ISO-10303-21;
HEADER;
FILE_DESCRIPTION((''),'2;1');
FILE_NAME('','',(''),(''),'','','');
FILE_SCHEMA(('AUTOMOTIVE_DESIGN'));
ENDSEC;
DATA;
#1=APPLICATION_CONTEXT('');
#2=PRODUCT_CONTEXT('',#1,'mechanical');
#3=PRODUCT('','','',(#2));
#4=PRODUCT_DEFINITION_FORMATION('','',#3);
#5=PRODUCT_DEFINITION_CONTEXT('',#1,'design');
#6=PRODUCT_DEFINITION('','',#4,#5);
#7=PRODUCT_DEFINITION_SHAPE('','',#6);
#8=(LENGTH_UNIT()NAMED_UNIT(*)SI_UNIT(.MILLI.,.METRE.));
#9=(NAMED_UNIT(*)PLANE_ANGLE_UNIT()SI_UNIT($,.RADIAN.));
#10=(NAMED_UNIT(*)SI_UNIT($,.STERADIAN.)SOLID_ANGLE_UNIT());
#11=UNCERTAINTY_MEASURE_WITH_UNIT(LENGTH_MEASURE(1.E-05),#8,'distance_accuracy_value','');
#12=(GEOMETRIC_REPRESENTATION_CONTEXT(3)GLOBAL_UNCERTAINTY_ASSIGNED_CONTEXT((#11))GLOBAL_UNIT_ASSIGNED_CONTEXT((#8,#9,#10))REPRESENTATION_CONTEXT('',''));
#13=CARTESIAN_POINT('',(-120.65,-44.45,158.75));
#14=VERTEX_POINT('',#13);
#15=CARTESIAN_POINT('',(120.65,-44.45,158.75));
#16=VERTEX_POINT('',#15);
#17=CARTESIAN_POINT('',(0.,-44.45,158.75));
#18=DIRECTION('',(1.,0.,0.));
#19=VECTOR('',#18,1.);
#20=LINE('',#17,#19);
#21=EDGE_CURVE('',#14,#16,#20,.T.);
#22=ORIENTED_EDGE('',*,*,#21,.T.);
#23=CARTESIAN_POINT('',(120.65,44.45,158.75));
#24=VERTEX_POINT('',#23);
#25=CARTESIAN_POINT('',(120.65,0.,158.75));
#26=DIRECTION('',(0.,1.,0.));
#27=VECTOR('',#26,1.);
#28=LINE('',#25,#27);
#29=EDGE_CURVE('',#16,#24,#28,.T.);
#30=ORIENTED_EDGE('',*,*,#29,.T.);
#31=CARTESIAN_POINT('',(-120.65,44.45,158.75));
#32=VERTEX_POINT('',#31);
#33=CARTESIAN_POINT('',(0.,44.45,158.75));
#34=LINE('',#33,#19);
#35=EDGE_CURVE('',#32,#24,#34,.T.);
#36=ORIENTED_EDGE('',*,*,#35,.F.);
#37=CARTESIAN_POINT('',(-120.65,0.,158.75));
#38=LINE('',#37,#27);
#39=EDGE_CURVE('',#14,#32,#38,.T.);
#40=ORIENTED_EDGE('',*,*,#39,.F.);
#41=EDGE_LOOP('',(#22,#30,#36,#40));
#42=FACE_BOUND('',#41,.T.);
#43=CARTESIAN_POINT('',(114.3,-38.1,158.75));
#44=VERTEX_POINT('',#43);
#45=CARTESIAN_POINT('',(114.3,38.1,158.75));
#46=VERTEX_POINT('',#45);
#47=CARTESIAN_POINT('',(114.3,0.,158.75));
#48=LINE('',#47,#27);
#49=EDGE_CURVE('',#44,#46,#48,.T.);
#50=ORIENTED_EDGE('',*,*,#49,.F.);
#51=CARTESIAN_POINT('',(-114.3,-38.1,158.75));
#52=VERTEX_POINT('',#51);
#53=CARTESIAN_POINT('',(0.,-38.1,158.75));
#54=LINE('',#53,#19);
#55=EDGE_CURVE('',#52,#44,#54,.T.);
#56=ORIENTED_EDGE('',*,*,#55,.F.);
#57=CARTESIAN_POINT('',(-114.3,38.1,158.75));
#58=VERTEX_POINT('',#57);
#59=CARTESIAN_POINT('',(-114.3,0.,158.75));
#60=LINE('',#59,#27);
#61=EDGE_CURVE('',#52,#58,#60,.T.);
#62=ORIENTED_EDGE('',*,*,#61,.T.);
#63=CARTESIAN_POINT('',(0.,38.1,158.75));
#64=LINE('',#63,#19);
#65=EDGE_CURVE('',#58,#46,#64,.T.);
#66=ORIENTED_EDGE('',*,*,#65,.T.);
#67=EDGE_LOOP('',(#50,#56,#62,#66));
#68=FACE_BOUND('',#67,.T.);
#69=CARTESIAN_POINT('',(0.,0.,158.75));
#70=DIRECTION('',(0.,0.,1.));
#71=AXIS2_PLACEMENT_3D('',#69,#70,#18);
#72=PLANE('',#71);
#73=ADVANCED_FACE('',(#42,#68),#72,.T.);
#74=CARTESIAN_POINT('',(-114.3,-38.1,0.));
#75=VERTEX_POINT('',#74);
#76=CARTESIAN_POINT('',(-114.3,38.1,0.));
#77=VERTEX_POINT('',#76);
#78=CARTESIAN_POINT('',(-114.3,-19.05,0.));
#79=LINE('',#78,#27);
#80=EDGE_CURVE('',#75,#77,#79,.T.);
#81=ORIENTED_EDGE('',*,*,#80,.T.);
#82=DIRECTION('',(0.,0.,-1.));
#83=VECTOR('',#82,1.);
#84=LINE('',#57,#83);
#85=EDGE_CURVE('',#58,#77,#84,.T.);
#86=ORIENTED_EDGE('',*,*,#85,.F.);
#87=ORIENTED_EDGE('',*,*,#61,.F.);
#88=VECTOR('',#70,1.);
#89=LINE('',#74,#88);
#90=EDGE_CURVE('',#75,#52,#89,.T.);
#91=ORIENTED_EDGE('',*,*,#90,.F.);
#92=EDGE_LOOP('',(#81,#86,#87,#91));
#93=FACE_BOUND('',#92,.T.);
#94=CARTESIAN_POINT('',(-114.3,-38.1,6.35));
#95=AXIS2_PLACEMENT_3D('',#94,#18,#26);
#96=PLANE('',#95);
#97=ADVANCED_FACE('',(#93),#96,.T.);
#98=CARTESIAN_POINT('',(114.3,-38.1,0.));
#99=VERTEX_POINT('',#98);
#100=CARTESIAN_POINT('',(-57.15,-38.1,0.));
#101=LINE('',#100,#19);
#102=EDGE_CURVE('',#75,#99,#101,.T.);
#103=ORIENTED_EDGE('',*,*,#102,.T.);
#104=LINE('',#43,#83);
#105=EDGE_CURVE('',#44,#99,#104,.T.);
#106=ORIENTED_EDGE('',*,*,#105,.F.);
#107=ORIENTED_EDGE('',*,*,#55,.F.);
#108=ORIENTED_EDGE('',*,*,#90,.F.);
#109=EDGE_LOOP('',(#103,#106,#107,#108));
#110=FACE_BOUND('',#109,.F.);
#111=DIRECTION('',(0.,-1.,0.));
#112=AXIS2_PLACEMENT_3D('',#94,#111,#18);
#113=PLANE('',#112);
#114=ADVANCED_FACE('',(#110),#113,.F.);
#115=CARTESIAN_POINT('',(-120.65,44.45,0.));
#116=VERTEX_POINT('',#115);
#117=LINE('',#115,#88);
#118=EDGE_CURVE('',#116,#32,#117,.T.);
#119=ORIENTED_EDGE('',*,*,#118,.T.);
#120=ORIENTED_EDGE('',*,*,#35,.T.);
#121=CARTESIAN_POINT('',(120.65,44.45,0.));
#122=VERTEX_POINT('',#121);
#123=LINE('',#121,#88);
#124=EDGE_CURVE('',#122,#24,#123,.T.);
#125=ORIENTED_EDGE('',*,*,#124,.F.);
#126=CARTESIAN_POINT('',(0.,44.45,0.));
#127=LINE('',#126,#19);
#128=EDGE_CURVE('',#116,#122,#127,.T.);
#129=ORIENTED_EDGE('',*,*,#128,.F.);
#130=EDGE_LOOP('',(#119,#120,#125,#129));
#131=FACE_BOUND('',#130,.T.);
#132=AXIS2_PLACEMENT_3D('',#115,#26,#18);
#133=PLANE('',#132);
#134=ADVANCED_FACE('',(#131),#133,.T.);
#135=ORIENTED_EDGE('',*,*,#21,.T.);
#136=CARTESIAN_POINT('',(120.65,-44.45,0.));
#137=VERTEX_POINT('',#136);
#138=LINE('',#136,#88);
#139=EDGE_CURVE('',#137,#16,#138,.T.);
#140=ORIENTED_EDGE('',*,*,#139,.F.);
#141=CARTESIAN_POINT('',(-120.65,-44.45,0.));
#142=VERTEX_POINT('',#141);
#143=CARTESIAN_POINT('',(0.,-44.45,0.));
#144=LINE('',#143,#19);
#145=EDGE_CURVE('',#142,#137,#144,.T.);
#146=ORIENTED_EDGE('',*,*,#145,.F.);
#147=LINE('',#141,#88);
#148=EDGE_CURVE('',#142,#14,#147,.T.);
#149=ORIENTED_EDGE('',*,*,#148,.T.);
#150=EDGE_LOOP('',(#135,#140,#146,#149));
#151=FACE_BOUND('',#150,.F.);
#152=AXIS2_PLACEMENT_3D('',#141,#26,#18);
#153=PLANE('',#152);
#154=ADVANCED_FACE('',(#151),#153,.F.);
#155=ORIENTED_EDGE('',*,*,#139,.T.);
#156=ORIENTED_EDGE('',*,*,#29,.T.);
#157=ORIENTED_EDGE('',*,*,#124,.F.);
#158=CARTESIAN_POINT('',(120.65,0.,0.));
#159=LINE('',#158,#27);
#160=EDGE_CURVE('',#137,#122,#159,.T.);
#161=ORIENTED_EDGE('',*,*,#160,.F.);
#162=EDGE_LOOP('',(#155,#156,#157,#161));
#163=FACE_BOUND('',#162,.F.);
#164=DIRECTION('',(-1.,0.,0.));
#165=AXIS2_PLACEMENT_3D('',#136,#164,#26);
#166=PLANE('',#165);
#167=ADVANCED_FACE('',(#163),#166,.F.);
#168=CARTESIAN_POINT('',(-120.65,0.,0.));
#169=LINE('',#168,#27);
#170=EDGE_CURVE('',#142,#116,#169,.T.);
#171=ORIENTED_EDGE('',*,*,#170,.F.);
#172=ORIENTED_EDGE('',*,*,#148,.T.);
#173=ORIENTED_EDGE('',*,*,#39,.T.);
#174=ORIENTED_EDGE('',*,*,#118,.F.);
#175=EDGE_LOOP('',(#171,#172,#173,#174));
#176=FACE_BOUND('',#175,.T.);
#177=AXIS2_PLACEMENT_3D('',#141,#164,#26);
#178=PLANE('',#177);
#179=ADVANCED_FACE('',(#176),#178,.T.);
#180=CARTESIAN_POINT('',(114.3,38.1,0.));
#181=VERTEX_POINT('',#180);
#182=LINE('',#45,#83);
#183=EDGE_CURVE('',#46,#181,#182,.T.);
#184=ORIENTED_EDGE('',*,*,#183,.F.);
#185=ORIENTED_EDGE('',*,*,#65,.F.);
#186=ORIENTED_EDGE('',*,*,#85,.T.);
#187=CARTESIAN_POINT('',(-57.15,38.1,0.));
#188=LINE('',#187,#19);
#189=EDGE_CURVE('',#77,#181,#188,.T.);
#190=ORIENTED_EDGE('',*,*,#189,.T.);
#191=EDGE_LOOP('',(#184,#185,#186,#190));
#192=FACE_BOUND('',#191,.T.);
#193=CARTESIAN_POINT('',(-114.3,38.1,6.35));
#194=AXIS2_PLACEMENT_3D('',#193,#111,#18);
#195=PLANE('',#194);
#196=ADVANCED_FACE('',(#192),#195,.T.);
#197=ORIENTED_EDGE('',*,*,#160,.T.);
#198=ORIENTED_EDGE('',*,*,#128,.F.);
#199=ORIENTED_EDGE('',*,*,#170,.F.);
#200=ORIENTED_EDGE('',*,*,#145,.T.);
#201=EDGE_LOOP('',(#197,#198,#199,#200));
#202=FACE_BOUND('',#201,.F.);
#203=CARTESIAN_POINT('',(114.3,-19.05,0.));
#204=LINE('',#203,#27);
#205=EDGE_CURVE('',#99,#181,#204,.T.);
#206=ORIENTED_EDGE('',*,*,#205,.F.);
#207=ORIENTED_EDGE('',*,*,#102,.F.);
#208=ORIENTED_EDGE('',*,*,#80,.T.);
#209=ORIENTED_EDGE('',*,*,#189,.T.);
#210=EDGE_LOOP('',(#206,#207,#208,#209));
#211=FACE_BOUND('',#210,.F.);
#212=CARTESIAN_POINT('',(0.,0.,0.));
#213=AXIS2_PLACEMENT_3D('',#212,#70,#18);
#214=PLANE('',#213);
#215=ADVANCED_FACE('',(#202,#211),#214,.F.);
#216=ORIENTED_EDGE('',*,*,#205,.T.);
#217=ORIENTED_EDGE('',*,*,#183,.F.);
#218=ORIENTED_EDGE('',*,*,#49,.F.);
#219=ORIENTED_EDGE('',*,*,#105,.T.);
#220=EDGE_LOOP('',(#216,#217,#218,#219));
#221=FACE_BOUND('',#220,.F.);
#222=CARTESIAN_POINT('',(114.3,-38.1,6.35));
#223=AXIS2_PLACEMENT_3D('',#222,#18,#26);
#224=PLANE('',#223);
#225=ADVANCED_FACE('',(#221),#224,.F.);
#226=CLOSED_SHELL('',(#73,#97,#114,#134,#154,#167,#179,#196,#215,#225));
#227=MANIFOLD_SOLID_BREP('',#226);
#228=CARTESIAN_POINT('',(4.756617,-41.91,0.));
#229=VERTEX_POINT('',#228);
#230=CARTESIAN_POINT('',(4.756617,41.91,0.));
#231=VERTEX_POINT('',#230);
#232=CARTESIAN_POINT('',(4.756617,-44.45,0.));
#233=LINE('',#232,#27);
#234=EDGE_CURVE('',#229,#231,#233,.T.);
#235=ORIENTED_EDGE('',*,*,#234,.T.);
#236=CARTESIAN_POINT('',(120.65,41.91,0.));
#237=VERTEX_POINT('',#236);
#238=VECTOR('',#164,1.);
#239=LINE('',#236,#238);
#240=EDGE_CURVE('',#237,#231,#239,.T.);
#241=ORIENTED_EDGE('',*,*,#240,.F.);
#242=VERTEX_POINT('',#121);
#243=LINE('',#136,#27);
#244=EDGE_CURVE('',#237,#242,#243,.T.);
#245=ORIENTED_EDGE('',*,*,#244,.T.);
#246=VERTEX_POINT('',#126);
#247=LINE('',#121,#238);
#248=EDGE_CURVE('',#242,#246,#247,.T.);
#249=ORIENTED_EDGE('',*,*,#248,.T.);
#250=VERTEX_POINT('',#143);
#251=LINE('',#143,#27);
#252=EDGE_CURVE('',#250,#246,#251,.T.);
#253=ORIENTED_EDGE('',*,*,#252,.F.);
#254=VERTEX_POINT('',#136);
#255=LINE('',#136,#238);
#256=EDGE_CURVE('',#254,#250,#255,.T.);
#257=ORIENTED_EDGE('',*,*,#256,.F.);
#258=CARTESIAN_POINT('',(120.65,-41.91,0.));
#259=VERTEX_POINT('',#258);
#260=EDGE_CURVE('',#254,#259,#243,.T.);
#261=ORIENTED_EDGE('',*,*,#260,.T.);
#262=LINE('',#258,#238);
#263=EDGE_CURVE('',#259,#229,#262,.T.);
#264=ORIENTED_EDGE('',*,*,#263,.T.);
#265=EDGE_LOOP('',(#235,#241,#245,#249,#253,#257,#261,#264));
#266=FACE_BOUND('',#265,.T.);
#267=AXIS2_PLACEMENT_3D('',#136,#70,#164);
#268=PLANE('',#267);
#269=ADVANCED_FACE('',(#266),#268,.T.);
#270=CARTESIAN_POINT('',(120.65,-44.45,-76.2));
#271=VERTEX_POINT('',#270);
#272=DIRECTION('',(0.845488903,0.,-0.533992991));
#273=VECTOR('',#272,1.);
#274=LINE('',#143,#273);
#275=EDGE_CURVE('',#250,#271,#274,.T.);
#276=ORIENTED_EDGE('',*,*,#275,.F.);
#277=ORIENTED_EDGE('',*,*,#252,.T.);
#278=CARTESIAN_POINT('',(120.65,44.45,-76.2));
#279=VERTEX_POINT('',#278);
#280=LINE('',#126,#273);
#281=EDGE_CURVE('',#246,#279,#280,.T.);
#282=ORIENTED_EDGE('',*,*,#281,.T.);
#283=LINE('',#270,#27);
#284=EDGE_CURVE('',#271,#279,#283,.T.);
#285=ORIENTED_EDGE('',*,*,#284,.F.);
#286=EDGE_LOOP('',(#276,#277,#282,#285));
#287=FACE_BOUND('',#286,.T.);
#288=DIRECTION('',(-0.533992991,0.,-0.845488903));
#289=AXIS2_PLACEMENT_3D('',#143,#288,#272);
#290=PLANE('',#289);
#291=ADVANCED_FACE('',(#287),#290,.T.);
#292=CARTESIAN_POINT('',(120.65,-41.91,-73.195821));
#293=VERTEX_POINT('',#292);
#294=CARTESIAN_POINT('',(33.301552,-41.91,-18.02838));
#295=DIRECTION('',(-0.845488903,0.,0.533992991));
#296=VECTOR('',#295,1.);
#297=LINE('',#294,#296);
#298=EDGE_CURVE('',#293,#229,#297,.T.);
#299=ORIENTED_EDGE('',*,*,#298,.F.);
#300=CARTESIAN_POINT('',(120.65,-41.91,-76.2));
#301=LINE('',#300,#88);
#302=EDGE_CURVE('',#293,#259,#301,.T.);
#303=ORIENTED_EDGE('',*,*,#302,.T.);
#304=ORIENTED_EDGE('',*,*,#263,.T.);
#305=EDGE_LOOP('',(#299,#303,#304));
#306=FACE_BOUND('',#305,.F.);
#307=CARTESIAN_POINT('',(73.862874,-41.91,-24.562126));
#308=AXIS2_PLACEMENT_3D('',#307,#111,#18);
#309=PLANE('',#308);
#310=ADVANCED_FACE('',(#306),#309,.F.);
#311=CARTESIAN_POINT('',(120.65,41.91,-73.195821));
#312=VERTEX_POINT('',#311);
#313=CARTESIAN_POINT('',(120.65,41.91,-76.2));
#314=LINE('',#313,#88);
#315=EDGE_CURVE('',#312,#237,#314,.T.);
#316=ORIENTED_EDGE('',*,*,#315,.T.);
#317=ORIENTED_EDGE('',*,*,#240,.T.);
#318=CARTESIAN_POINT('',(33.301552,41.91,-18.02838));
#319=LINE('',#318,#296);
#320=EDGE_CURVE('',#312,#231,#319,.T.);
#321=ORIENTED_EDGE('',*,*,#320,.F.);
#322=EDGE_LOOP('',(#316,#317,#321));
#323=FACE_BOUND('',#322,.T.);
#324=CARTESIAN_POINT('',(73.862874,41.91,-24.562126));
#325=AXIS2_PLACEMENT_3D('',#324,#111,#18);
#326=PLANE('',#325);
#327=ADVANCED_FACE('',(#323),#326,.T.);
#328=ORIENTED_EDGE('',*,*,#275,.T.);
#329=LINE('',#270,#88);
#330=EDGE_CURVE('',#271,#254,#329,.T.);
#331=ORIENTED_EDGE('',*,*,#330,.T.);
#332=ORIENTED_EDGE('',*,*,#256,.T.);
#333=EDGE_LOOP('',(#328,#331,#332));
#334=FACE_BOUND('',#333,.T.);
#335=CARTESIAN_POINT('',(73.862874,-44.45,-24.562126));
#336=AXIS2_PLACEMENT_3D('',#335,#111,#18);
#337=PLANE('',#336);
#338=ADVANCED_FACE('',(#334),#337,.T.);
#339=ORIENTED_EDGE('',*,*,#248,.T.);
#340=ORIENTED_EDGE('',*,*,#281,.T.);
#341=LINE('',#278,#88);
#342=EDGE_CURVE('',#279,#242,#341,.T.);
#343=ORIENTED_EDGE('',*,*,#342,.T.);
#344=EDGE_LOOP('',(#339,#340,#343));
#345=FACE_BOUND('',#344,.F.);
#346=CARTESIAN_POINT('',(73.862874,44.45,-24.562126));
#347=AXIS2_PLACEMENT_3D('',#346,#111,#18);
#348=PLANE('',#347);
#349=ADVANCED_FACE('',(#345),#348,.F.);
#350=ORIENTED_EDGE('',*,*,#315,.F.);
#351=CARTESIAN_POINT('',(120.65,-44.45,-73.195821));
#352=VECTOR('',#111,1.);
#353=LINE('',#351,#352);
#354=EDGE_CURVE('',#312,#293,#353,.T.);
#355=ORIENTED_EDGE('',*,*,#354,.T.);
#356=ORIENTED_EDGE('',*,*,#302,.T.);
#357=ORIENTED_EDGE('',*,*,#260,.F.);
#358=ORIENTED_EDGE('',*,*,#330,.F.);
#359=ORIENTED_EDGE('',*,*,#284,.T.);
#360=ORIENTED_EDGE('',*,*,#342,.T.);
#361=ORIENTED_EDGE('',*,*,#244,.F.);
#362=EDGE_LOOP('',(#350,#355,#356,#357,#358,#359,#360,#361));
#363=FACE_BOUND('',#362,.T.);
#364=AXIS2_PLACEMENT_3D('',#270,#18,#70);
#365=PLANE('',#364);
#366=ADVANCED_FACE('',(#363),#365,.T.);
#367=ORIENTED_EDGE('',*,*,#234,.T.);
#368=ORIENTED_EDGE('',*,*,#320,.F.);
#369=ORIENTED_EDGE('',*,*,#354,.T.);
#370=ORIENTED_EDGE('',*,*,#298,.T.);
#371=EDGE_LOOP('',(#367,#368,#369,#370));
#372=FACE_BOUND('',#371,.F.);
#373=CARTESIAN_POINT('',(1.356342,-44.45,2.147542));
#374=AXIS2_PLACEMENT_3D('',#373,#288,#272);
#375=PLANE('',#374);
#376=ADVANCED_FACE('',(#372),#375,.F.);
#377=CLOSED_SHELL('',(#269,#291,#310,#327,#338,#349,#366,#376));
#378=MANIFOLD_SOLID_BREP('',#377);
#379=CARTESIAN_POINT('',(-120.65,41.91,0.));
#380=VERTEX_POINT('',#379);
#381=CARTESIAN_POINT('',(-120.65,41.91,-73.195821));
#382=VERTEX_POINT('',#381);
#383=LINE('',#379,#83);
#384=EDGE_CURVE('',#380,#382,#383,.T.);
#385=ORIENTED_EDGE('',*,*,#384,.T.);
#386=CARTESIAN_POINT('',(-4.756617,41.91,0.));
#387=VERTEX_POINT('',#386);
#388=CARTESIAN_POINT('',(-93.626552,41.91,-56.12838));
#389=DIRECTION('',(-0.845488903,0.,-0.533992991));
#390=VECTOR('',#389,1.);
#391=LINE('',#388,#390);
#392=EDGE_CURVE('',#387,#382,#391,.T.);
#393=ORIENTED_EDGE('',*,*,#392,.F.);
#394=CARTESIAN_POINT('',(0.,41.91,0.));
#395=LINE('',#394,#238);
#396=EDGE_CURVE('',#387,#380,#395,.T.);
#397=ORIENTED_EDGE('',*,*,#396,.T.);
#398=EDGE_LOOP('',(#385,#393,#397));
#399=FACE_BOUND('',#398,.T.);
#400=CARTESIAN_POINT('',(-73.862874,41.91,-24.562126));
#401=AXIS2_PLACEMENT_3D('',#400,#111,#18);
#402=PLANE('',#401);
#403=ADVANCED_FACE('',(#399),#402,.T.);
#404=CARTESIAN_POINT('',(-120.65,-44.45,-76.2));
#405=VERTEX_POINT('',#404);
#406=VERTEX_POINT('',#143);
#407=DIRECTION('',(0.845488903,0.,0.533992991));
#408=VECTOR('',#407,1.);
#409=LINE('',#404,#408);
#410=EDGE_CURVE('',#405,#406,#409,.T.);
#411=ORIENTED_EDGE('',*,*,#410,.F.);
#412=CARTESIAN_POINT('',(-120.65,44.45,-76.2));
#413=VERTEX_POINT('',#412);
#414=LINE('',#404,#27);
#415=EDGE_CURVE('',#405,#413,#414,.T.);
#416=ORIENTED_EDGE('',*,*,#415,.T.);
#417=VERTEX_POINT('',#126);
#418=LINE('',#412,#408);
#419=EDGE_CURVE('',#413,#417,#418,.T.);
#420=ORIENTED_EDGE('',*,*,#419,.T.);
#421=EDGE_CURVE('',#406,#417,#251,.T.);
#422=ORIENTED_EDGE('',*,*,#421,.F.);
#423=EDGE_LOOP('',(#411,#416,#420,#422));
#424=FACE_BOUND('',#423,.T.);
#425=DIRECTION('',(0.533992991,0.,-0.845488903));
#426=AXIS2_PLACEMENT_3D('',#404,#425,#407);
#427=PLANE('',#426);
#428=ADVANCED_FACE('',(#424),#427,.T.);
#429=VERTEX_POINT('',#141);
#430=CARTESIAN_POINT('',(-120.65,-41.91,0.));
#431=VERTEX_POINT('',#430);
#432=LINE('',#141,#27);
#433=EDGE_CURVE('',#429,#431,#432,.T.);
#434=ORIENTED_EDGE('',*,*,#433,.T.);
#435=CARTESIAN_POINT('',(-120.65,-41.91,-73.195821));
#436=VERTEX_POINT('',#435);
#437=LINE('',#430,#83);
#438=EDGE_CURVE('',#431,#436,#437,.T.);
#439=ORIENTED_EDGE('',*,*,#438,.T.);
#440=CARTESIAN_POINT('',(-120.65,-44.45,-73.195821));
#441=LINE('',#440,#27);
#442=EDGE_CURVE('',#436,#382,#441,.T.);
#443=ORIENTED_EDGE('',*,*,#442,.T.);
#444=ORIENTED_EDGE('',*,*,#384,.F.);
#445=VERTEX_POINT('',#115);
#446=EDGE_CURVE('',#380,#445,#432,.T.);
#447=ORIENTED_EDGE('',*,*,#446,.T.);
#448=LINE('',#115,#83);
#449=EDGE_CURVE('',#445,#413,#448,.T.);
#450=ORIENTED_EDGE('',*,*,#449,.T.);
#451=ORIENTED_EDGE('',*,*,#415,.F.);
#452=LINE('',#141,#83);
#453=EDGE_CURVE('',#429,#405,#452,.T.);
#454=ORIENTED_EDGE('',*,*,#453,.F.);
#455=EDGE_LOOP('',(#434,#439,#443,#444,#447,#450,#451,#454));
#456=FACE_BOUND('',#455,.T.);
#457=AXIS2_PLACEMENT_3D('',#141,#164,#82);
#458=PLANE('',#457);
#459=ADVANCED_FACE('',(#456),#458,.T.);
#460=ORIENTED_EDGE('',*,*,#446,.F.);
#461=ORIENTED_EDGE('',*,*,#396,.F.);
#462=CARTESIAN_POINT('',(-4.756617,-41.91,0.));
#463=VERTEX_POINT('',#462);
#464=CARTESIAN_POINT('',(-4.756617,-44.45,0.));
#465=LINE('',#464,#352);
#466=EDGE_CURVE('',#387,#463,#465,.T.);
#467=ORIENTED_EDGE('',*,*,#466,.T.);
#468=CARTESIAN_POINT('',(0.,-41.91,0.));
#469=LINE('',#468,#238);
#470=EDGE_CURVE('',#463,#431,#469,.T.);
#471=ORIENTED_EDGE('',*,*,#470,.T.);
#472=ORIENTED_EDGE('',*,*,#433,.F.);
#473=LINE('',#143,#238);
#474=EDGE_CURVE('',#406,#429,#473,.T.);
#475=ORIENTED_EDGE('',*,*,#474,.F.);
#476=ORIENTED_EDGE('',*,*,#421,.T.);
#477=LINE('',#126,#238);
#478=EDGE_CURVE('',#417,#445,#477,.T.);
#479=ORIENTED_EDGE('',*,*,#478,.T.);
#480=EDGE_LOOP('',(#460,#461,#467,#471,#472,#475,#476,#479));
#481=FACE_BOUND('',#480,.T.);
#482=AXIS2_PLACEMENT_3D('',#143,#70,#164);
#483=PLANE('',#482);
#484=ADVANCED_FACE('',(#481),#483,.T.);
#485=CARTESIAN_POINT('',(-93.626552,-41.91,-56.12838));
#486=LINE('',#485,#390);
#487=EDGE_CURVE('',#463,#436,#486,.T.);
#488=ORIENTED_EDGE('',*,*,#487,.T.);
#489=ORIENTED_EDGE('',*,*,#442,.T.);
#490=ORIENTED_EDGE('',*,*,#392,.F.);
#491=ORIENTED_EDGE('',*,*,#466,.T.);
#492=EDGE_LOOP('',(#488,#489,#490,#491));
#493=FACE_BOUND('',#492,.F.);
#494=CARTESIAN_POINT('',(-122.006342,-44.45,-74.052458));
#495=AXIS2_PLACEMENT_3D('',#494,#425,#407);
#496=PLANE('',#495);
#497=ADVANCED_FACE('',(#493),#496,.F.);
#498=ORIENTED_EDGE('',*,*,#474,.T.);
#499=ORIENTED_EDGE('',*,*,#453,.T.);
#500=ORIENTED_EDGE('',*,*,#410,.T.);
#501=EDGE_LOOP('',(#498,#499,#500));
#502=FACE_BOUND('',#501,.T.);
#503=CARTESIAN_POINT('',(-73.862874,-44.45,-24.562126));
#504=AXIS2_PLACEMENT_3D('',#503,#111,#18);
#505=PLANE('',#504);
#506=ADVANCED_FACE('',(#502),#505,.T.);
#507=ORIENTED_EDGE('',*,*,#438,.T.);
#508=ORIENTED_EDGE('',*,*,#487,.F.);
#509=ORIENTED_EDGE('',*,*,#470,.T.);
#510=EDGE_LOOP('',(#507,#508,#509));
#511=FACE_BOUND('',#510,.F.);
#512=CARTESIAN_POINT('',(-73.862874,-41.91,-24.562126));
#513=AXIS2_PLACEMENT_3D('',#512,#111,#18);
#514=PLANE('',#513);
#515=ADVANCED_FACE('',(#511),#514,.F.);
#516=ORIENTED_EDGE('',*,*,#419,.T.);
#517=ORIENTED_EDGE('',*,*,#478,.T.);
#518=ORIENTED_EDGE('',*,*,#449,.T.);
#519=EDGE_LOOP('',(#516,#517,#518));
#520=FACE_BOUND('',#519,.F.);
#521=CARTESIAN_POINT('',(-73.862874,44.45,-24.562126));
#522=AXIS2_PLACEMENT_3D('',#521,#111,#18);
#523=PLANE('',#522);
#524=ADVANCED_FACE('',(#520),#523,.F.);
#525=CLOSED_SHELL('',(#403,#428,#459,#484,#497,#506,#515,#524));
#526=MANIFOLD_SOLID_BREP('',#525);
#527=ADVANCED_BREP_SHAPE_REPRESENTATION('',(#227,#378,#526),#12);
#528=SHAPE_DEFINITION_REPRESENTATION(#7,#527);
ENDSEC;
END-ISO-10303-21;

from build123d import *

# Parameters (mm, degrees)
F0_W     = 241.3
F0_H     = 88.9
F1_DEPTH = 158.75
F2_T     = -6.35
F3_DEPTH = 25.4
F5_DEPTH = 88.9
F6_T     = -2.54
F6_2_T   = -2.54


with BuildPart() as f1:
    # F0 (on Top) → F1 (new body)
    with BuildSketch(Plane.XY):
        Rectangle(F0_W, F0_H)
    extrude(amount=F1_DEPTH)

    # F2
    f2_openings = [f1.faces().sort_by_distance(p)[0] for p in [
        (0, 0, 158.75),
    ]]
    offset(amount=F2_T, openings=f2_openings)

    # F3 (cut): a face of the model
    f3_faces = [f1.faces().sort_by_distance(p)[0] for p in [
        (0, 0, 6.35),
    ]]
    extrude(f3_faces, amount=-F3_DEPTH, mode=Mode.SUBTRACT)


with BuildPart() as f5:
    # F4 (on face) → F5 (new body)
    with BuildSketch(Plane.XZ.offset(44.45)):
        Polygon((0, 0), (-120.65, 0), (-120.65, -76.2), align=None)
    extrude(amount=-F5_DEPTH)

    # F6
    f6_openings = [f5.faces().sort_by_distance(p)[0] for p in [
        (-120.65, 0, -38.1),
        (-60.325, 0, 0),
    ]]
    offset(amount=F6_T, openings=f6_openings)


with BuildPart() as f5b:
    # F4 (on face) → F5, piece 2 (new body)
    with BuildSketch(Plane.XZ.offset(44.45)):
        Polygon((120.65, 0), (0, 0), (120.65, -76.2), align=None)
    extrude(amount=-F5_DEPTH)

    # F6#2
    f6_2_openings = [f5b.faces().sort_by_distance(p)[0] for p in [
        (60.325, 0, 0),
        (120.65, 0, -38.1),
    ]]
    offset(amount=F6_2_T, openings=f6_2_openings)


solid = Compound([f1.part, f5.part, f5b.part])
